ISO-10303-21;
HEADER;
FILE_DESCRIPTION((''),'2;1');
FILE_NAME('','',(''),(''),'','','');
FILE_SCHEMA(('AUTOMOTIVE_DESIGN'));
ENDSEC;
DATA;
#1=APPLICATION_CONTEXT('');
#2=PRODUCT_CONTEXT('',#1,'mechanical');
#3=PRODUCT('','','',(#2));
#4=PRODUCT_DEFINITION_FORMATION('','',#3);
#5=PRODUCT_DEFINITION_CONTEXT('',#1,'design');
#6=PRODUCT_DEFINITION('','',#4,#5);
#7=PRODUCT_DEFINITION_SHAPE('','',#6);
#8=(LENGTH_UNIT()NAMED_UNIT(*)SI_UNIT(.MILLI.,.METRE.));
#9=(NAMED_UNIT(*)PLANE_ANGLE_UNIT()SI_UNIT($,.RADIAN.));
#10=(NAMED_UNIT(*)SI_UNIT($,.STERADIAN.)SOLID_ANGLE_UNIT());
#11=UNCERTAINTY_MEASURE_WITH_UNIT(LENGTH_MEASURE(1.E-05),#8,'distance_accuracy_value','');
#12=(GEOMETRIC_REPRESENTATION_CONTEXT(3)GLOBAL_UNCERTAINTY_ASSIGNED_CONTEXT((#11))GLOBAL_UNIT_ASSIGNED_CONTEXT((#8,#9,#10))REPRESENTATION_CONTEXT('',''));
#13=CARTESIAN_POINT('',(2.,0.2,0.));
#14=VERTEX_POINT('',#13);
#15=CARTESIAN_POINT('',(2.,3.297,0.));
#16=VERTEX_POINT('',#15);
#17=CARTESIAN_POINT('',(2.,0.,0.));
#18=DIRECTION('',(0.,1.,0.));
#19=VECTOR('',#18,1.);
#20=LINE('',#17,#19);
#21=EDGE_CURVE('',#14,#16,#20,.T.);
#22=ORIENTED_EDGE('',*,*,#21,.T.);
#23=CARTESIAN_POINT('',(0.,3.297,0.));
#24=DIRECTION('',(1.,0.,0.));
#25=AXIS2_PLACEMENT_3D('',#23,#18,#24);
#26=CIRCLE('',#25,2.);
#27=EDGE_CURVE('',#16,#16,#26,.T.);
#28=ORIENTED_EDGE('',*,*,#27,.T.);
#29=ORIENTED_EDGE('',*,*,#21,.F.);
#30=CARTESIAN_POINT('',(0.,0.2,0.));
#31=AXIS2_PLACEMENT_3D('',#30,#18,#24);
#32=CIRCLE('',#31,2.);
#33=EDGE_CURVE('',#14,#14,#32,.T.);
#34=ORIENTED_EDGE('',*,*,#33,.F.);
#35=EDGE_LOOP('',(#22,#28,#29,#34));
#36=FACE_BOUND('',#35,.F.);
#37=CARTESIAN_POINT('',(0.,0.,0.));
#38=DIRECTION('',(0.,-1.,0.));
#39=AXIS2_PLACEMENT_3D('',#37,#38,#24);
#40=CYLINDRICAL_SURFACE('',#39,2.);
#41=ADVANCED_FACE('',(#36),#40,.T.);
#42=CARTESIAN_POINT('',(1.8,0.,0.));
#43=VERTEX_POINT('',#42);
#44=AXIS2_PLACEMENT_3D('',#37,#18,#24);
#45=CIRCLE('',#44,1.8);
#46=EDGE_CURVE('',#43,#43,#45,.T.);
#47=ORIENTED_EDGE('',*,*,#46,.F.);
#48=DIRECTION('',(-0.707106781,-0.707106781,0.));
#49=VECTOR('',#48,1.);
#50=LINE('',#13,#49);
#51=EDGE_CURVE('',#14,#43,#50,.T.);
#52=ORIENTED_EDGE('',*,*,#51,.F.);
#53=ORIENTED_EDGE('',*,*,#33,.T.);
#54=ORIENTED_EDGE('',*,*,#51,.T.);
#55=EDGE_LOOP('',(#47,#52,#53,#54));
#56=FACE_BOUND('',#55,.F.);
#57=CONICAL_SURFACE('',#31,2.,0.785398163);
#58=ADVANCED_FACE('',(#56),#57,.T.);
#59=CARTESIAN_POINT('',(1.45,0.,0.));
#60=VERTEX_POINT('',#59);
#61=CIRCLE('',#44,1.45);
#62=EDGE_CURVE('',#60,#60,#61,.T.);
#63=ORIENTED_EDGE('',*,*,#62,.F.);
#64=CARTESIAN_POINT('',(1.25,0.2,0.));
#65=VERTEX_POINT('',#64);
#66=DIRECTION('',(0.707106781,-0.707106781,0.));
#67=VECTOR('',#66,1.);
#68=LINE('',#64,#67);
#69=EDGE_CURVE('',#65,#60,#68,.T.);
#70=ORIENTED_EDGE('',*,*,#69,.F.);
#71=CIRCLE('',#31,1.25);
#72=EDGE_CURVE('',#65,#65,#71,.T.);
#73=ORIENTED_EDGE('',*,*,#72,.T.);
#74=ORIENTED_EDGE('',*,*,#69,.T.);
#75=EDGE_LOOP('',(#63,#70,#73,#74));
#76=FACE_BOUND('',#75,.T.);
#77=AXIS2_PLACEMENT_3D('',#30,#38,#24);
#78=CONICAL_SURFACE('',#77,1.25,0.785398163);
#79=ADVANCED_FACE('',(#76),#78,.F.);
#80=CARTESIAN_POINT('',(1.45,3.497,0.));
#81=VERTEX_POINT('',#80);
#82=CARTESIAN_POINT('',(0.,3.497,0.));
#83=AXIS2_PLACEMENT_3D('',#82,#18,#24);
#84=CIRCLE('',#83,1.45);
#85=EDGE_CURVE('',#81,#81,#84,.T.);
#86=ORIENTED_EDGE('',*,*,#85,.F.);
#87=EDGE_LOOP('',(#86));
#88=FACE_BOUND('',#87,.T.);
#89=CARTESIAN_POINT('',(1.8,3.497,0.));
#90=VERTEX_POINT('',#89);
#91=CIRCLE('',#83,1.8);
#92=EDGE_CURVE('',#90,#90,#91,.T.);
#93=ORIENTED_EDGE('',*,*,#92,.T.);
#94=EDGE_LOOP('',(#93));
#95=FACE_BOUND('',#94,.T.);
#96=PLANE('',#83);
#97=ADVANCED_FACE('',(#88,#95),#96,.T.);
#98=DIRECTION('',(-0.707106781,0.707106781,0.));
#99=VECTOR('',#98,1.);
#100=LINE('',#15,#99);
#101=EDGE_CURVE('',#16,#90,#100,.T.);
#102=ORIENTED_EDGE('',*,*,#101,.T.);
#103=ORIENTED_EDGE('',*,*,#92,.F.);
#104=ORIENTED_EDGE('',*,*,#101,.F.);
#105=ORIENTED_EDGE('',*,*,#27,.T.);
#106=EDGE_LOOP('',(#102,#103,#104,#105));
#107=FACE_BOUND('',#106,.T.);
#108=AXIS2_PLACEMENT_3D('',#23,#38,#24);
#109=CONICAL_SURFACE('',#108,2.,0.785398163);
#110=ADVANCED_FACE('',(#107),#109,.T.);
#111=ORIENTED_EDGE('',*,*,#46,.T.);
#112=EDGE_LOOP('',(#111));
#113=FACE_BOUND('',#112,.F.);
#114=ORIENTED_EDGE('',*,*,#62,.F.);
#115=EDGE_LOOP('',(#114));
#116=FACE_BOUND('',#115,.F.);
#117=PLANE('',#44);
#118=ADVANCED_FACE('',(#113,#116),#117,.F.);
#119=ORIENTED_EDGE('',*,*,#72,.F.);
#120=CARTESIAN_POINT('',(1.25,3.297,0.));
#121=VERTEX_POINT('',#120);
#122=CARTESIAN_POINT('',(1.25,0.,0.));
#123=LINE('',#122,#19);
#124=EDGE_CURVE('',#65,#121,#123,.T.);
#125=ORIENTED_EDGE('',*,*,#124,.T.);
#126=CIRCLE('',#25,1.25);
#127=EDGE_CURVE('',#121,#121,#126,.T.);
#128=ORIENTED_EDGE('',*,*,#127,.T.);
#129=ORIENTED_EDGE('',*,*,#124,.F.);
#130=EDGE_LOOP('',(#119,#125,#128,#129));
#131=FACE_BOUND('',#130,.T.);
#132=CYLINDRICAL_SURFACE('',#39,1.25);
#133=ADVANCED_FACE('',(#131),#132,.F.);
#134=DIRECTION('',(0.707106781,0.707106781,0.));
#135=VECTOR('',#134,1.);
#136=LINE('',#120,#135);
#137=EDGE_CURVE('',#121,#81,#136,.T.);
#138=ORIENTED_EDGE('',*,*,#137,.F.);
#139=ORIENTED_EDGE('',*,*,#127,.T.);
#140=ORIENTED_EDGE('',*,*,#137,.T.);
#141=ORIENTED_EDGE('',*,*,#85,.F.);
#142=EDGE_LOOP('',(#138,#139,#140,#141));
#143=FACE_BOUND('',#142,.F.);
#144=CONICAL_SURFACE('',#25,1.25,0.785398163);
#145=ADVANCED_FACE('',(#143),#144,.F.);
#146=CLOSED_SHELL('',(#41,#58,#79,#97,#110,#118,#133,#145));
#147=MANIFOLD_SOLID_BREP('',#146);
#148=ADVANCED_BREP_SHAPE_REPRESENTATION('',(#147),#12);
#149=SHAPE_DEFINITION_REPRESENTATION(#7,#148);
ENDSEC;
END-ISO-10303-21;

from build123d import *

# Parameters (mm, degrees)
SKETCH1_R           = 2
SKETCH1_R_2         = 1.25
BOSS_EXTRUDE1_DEPTH = 3.497
CHAMFER1_SIZE       = 0.2


with BuildPart() as part:
    # Sketch1 → Boss-Extrude1 (new body)
    with BuildSketch(Plane(origin=(0, 0, 0), x_dir=(1, 0, 0), z_dir=(0, 1, 0))):
        Circle(SKETCH1_R)
        Circle(SKETCH1_R_2, mode=Mode.SUBTRACT)
    extrude(amount=BOSS_EXTRUDE1_DEPTH)

    # Chamfer1
    chamfer1_edges = [part.edges().sort_by_distance(p)[0] for p in [
        (-2, 0, 0),
        (-2, 3.497, 0),
        (-1.25, 0, 0),
        (-1.25, 3.497, 0),
    ]]
    chamfer(chamfer1_edges, length=CHAMFER1_SIZE)


solid = part.part
